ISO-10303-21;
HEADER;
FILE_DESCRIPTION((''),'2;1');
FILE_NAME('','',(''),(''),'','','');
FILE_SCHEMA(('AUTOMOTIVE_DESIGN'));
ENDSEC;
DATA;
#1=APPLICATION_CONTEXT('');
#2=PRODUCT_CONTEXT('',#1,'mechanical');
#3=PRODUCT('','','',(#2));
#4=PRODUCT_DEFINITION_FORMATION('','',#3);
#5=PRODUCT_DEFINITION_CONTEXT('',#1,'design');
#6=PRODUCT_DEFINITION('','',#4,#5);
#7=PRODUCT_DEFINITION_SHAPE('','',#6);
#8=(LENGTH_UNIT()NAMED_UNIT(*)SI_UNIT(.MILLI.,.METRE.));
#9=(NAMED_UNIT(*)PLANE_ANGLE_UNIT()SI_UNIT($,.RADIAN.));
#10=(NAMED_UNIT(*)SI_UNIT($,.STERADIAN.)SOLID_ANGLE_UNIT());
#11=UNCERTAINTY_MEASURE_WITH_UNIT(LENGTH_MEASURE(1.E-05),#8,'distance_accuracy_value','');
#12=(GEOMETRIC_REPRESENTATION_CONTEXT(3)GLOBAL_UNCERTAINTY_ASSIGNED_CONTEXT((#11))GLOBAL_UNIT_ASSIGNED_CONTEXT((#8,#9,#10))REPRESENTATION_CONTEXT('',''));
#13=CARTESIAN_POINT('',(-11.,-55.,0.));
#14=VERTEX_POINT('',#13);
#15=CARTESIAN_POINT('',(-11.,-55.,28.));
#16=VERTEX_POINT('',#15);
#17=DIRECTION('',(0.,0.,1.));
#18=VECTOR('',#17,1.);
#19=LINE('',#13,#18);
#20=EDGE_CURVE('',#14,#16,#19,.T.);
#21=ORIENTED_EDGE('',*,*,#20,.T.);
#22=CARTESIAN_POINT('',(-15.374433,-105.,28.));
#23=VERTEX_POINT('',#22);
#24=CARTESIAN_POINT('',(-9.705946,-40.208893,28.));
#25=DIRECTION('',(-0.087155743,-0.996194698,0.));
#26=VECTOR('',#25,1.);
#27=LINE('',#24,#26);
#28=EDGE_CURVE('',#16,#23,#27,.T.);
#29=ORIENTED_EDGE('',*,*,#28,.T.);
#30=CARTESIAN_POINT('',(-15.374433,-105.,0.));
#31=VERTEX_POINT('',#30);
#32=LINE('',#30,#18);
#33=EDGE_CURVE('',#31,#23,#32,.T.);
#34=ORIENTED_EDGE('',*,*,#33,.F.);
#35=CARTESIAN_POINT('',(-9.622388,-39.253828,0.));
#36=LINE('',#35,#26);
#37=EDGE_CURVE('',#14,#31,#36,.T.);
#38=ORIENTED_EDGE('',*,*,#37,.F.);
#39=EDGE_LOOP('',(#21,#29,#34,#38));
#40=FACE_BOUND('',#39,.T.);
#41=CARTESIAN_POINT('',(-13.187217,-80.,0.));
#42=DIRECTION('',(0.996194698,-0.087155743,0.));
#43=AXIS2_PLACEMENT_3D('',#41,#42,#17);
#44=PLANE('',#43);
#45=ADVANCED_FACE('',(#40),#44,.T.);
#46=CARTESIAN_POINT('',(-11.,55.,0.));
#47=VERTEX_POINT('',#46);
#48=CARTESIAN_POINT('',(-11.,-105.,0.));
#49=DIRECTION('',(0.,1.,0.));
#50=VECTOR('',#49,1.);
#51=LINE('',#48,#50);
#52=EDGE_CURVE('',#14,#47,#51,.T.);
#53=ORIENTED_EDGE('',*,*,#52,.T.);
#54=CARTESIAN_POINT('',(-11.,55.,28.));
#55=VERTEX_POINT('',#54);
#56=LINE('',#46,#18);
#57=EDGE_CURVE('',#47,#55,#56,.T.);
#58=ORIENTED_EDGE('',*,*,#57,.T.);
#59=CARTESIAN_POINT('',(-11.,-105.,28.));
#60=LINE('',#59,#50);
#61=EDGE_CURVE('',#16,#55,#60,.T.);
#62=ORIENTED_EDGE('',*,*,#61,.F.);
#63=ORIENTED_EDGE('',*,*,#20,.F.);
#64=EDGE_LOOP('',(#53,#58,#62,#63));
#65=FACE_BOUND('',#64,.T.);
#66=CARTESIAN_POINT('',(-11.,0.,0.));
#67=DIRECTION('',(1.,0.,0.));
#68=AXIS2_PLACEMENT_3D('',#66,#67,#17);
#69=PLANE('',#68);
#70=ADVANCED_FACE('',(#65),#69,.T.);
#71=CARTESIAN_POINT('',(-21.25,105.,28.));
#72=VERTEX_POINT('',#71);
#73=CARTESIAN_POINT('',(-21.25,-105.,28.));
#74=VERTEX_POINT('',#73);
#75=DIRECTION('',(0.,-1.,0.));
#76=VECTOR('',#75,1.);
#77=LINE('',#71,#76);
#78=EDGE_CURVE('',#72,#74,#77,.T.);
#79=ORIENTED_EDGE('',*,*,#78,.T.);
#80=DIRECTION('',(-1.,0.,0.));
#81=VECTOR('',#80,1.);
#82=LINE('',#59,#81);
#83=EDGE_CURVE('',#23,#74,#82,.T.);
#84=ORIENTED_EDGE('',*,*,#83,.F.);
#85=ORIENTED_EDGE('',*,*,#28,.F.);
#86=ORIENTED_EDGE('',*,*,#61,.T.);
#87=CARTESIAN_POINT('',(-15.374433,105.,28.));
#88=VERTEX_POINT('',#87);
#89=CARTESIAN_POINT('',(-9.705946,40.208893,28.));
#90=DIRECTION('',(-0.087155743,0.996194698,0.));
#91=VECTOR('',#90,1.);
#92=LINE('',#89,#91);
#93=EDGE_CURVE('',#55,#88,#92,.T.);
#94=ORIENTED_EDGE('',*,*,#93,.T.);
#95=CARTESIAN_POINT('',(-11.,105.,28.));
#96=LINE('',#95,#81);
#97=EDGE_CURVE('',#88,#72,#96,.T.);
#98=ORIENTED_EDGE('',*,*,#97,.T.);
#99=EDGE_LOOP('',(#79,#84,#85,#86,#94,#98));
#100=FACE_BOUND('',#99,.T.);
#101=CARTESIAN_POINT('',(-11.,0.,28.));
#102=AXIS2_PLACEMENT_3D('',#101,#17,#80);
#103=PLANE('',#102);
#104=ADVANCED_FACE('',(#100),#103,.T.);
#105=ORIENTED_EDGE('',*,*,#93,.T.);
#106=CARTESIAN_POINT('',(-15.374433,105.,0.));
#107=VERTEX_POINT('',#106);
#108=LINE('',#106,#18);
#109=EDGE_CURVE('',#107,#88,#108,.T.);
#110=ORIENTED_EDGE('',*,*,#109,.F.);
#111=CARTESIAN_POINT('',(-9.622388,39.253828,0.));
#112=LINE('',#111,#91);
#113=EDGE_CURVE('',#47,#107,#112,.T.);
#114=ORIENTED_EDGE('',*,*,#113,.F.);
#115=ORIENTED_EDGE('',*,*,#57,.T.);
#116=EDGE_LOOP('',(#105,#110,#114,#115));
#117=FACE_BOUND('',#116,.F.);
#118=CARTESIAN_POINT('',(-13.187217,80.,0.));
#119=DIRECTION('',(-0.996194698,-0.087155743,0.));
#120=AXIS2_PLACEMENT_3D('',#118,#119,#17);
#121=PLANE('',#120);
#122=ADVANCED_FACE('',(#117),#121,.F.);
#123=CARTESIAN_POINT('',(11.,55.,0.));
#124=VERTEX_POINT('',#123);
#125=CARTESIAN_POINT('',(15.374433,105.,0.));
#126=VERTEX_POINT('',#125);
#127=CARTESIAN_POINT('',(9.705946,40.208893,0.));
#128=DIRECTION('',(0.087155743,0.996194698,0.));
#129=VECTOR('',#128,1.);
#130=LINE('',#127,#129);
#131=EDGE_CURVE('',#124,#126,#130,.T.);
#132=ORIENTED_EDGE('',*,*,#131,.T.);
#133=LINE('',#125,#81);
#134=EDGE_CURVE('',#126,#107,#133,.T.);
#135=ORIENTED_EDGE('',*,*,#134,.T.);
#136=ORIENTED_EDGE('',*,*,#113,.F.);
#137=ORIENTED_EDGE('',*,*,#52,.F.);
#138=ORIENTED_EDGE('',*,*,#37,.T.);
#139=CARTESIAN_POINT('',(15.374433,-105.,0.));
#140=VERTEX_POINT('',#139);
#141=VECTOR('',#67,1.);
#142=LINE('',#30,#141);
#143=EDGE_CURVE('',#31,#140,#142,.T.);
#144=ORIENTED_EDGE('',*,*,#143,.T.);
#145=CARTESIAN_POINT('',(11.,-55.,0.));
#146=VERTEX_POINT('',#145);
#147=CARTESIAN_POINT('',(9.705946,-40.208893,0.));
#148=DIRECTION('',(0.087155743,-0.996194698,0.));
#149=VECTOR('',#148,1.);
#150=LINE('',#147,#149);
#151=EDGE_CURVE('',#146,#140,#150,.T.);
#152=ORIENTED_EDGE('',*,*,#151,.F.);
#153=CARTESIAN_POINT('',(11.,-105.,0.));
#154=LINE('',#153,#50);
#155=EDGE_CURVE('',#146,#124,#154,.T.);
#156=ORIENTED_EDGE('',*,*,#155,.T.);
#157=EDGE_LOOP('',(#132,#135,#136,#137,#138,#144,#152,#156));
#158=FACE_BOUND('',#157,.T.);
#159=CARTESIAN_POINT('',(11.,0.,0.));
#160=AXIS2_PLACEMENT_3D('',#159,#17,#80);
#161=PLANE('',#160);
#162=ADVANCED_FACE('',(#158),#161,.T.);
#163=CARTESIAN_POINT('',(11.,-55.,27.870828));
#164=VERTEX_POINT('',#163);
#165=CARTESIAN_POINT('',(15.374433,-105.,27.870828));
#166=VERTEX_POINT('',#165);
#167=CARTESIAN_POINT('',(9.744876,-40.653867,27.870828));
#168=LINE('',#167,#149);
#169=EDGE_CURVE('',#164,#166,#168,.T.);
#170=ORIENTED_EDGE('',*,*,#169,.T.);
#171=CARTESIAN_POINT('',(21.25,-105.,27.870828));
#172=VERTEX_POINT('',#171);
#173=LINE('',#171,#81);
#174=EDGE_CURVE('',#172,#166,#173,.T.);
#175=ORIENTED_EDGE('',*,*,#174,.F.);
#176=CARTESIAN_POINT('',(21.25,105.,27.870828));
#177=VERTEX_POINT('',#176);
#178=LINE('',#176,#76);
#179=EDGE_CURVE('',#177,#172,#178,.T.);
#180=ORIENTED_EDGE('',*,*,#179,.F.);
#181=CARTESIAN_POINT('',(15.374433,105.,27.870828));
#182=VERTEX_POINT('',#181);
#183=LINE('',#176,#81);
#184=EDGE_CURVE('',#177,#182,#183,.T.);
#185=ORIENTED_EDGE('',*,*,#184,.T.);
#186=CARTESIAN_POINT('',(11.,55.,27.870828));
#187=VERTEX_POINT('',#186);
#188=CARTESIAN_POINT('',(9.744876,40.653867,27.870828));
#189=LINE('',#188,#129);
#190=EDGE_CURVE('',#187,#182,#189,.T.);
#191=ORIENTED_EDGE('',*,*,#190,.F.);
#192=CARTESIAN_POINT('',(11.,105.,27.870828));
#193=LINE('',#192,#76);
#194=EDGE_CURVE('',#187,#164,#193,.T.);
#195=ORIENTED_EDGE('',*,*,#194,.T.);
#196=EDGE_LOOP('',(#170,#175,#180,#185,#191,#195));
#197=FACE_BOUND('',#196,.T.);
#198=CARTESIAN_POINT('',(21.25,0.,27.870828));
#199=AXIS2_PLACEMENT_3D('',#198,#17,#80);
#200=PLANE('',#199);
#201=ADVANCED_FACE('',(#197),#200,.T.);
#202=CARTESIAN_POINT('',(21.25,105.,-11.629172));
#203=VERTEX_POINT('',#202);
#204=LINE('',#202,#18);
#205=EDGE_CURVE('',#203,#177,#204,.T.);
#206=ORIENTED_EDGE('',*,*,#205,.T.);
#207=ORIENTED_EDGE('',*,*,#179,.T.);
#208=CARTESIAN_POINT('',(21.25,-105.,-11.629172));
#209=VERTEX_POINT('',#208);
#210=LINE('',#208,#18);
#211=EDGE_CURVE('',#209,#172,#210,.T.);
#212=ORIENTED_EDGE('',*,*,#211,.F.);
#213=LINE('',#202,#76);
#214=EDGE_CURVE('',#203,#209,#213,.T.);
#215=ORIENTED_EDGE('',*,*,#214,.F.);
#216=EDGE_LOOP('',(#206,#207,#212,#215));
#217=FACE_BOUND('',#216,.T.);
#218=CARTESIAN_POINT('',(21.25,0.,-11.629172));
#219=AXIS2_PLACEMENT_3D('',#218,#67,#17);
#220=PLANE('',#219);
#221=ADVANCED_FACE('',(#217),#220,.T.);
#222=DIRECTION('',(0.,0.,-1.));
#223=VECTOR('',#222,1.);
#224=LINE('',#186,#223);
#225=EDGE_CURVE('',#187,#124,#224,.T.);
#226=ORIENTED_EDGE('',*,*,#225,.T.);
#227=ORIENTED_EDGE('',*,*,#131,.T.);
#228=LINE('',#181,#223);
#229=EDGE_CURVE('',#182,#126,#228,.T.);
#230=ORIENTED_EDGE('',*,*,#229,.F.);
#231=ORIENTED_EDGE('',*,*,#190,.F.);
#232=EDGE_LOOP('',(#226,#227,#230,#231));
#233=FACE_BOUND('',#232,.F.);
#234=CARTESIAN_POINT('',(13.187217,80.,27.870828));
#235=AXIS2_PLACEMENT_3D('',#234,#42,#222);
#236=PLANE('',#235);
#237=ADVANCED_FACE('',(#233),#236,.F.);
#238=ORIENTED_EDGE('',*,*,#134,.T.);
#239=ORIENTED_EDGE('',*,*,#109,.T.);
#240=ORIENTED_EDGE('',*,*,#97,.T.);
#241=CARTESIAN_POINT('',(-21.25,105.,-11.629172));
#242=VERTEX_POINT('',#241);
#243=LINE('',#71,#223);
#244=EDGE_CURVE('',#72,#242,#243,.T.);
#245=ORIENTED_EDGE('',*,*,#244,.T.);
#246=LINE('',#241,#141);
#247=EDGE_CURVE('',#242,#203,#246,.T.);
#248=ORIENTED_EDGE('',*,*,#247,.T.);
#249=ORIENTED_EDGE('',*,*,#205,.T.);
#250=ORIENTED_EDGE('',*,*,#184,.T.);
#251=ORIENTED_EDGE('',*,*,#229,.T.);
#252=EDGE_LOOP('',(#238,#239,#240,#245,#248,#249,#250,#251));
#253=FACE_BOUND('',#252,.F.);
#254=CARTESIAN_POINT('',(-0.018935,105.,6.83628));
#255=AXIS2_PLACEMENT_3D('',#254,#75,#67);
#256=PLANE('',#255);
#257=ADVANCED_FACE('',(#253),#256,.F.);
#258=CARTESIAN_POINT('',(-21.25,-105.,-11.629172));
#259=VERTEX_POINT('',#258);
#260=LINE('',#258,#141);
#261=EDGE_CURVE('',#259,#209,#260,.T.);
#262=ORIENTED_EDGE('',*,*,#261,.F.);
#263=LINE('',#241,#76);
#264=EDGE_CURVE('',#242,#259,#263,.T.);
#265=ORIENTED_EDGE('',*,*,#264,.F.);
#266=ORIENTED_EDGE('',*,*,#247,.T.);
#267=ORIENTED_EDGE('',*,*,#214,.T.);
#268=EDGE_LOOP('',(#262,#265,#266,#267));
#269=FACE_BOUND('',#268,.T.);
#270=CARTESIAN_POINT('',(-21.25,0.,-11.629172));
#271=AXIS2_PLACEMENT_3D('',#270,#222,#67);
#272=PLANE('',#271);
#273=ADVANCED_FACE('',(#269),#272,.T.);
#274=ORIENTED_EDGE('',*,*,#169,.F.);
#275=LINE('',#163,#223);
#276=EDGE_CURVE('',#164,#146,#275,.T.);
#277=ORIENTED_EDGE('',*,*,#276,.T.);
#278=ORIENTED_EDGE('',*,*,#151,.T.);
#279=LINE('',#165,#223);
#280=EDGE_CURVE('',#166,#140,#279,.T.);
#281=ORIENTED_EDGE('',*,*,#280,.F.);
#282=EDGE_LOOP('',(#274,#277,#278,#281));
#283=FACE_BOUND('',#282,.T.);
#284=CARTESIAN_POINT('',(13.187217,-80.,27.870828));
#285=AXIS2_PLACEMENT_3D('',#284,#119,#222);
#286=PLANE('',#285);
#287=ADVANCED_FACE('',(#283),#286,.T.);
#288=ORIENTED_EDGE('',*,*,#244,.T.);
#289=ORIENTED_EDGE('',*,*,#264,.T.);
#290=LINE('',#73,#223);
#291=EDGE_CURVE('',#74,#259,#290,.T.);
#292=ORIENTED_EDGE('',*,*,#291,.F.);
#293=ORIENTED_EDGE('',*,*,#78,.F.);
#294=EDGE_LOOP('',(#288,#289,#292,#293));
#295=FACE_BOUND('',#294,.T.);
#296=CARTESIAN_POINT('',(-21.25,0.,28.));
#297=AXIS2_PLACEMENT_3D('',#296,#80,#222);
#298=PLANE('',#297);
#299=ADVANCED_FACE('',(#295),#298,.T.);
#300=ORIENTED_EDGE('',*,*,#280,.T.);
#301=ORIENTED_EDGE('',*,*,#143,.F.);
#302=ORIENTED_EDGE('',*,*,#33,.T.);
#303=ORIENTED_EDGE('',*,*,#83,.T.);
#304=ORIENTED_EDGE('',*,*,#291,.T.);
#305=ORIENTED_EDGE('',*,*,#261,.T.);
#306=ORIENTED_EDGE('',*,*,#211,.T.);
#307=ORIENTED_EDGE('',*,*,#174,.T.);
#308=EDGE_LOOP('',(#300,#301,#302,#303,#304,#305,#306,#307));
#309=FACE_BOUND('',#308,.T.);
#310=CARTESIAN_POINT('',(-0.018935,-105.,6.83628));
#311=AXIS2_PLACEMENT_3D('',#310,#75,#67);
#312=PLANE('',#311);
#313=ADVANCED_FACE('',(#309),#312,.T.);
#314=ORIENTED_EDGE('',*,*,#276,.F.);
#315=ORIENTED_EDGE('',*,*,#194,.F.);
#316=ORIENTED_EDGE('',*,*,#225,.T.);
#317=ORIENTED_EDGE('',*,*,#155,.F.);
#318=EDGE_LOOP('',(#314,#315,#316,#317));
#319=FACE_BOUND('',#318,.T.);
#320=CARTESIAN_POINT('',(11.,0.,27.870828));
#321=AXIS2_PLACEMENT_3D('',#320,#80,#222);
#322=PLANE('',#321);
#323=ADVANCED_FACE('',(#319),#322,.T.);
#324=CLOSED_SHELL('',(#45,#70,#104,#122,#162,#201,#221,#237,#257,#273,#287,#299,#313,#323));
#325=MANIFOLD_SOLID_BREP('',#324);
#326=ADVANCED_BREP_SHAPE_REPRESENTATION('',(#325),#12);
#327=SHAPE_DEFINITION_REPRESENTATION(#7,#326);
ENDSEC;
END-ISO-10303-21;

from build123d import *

# Parameters (mm, degrees)
F1_DEPTH   = 105
F2_SIZE2   = 4.3744331763
F2_SIZE    = 50
F2_2_SIZE2 = 4.3744331763
F2_2_SIZE  = 50
F3_SIZE2   = 4.3744331763
F3_SIZE    = 50


with BuildPart() as f1:
    # F0 (on Front) → F1 (new body, symmetric)
    with BuildSketch(Plane.XZ):
        Polygon((-11, 28), (-21.25, 28), (-21.25, -11.6291716302), (21.25, -11.6291716302), (21.25, 27.8708283698), (11, 27.8708283698), (11, 0), (-11, 0), align=None)
    extrude(amount=F1_DEPTH, both=True)

    # F2
    f2_edges = [f1.edges().sort_by_distance(p)[0] for p in [
        (-11, -105, 14),
        (-11, 105, 14),
    ]]
    f2_side = f1.faces().sort_by_distance((-11, 0, 14))[0]
    chamfer(f2_edges, length=F2_SIZE, length2=F2_SIZE2, reference=f2_side)

    # F2#2
    f2_2_edges = [f1.edges().sort_by_distance(p)[0] for p in [
        (11, -105, 13.935414),
    ]]
    f2_2_side = f1.faces().sort_by_distance((11, 0, 13.935414))[0]
    chamfer(f2_2_edges, length=F2_2_SIZE, length2=F2_2_SIZE2, reference=f2_2_side)

    # F3
    f3_edges = [f1.edges().sort_by_distance(p)[0] for p in [
        (11, 105, 13.935414),
    ]]
    f3_side = f1.faces().sort_by_distance((11, 25, 13.935414))[0]
    chamfer(f3_edges, length=F3_SIZE, length2=F3_SIZE2, reference=f3_side)


solid = f1.part
